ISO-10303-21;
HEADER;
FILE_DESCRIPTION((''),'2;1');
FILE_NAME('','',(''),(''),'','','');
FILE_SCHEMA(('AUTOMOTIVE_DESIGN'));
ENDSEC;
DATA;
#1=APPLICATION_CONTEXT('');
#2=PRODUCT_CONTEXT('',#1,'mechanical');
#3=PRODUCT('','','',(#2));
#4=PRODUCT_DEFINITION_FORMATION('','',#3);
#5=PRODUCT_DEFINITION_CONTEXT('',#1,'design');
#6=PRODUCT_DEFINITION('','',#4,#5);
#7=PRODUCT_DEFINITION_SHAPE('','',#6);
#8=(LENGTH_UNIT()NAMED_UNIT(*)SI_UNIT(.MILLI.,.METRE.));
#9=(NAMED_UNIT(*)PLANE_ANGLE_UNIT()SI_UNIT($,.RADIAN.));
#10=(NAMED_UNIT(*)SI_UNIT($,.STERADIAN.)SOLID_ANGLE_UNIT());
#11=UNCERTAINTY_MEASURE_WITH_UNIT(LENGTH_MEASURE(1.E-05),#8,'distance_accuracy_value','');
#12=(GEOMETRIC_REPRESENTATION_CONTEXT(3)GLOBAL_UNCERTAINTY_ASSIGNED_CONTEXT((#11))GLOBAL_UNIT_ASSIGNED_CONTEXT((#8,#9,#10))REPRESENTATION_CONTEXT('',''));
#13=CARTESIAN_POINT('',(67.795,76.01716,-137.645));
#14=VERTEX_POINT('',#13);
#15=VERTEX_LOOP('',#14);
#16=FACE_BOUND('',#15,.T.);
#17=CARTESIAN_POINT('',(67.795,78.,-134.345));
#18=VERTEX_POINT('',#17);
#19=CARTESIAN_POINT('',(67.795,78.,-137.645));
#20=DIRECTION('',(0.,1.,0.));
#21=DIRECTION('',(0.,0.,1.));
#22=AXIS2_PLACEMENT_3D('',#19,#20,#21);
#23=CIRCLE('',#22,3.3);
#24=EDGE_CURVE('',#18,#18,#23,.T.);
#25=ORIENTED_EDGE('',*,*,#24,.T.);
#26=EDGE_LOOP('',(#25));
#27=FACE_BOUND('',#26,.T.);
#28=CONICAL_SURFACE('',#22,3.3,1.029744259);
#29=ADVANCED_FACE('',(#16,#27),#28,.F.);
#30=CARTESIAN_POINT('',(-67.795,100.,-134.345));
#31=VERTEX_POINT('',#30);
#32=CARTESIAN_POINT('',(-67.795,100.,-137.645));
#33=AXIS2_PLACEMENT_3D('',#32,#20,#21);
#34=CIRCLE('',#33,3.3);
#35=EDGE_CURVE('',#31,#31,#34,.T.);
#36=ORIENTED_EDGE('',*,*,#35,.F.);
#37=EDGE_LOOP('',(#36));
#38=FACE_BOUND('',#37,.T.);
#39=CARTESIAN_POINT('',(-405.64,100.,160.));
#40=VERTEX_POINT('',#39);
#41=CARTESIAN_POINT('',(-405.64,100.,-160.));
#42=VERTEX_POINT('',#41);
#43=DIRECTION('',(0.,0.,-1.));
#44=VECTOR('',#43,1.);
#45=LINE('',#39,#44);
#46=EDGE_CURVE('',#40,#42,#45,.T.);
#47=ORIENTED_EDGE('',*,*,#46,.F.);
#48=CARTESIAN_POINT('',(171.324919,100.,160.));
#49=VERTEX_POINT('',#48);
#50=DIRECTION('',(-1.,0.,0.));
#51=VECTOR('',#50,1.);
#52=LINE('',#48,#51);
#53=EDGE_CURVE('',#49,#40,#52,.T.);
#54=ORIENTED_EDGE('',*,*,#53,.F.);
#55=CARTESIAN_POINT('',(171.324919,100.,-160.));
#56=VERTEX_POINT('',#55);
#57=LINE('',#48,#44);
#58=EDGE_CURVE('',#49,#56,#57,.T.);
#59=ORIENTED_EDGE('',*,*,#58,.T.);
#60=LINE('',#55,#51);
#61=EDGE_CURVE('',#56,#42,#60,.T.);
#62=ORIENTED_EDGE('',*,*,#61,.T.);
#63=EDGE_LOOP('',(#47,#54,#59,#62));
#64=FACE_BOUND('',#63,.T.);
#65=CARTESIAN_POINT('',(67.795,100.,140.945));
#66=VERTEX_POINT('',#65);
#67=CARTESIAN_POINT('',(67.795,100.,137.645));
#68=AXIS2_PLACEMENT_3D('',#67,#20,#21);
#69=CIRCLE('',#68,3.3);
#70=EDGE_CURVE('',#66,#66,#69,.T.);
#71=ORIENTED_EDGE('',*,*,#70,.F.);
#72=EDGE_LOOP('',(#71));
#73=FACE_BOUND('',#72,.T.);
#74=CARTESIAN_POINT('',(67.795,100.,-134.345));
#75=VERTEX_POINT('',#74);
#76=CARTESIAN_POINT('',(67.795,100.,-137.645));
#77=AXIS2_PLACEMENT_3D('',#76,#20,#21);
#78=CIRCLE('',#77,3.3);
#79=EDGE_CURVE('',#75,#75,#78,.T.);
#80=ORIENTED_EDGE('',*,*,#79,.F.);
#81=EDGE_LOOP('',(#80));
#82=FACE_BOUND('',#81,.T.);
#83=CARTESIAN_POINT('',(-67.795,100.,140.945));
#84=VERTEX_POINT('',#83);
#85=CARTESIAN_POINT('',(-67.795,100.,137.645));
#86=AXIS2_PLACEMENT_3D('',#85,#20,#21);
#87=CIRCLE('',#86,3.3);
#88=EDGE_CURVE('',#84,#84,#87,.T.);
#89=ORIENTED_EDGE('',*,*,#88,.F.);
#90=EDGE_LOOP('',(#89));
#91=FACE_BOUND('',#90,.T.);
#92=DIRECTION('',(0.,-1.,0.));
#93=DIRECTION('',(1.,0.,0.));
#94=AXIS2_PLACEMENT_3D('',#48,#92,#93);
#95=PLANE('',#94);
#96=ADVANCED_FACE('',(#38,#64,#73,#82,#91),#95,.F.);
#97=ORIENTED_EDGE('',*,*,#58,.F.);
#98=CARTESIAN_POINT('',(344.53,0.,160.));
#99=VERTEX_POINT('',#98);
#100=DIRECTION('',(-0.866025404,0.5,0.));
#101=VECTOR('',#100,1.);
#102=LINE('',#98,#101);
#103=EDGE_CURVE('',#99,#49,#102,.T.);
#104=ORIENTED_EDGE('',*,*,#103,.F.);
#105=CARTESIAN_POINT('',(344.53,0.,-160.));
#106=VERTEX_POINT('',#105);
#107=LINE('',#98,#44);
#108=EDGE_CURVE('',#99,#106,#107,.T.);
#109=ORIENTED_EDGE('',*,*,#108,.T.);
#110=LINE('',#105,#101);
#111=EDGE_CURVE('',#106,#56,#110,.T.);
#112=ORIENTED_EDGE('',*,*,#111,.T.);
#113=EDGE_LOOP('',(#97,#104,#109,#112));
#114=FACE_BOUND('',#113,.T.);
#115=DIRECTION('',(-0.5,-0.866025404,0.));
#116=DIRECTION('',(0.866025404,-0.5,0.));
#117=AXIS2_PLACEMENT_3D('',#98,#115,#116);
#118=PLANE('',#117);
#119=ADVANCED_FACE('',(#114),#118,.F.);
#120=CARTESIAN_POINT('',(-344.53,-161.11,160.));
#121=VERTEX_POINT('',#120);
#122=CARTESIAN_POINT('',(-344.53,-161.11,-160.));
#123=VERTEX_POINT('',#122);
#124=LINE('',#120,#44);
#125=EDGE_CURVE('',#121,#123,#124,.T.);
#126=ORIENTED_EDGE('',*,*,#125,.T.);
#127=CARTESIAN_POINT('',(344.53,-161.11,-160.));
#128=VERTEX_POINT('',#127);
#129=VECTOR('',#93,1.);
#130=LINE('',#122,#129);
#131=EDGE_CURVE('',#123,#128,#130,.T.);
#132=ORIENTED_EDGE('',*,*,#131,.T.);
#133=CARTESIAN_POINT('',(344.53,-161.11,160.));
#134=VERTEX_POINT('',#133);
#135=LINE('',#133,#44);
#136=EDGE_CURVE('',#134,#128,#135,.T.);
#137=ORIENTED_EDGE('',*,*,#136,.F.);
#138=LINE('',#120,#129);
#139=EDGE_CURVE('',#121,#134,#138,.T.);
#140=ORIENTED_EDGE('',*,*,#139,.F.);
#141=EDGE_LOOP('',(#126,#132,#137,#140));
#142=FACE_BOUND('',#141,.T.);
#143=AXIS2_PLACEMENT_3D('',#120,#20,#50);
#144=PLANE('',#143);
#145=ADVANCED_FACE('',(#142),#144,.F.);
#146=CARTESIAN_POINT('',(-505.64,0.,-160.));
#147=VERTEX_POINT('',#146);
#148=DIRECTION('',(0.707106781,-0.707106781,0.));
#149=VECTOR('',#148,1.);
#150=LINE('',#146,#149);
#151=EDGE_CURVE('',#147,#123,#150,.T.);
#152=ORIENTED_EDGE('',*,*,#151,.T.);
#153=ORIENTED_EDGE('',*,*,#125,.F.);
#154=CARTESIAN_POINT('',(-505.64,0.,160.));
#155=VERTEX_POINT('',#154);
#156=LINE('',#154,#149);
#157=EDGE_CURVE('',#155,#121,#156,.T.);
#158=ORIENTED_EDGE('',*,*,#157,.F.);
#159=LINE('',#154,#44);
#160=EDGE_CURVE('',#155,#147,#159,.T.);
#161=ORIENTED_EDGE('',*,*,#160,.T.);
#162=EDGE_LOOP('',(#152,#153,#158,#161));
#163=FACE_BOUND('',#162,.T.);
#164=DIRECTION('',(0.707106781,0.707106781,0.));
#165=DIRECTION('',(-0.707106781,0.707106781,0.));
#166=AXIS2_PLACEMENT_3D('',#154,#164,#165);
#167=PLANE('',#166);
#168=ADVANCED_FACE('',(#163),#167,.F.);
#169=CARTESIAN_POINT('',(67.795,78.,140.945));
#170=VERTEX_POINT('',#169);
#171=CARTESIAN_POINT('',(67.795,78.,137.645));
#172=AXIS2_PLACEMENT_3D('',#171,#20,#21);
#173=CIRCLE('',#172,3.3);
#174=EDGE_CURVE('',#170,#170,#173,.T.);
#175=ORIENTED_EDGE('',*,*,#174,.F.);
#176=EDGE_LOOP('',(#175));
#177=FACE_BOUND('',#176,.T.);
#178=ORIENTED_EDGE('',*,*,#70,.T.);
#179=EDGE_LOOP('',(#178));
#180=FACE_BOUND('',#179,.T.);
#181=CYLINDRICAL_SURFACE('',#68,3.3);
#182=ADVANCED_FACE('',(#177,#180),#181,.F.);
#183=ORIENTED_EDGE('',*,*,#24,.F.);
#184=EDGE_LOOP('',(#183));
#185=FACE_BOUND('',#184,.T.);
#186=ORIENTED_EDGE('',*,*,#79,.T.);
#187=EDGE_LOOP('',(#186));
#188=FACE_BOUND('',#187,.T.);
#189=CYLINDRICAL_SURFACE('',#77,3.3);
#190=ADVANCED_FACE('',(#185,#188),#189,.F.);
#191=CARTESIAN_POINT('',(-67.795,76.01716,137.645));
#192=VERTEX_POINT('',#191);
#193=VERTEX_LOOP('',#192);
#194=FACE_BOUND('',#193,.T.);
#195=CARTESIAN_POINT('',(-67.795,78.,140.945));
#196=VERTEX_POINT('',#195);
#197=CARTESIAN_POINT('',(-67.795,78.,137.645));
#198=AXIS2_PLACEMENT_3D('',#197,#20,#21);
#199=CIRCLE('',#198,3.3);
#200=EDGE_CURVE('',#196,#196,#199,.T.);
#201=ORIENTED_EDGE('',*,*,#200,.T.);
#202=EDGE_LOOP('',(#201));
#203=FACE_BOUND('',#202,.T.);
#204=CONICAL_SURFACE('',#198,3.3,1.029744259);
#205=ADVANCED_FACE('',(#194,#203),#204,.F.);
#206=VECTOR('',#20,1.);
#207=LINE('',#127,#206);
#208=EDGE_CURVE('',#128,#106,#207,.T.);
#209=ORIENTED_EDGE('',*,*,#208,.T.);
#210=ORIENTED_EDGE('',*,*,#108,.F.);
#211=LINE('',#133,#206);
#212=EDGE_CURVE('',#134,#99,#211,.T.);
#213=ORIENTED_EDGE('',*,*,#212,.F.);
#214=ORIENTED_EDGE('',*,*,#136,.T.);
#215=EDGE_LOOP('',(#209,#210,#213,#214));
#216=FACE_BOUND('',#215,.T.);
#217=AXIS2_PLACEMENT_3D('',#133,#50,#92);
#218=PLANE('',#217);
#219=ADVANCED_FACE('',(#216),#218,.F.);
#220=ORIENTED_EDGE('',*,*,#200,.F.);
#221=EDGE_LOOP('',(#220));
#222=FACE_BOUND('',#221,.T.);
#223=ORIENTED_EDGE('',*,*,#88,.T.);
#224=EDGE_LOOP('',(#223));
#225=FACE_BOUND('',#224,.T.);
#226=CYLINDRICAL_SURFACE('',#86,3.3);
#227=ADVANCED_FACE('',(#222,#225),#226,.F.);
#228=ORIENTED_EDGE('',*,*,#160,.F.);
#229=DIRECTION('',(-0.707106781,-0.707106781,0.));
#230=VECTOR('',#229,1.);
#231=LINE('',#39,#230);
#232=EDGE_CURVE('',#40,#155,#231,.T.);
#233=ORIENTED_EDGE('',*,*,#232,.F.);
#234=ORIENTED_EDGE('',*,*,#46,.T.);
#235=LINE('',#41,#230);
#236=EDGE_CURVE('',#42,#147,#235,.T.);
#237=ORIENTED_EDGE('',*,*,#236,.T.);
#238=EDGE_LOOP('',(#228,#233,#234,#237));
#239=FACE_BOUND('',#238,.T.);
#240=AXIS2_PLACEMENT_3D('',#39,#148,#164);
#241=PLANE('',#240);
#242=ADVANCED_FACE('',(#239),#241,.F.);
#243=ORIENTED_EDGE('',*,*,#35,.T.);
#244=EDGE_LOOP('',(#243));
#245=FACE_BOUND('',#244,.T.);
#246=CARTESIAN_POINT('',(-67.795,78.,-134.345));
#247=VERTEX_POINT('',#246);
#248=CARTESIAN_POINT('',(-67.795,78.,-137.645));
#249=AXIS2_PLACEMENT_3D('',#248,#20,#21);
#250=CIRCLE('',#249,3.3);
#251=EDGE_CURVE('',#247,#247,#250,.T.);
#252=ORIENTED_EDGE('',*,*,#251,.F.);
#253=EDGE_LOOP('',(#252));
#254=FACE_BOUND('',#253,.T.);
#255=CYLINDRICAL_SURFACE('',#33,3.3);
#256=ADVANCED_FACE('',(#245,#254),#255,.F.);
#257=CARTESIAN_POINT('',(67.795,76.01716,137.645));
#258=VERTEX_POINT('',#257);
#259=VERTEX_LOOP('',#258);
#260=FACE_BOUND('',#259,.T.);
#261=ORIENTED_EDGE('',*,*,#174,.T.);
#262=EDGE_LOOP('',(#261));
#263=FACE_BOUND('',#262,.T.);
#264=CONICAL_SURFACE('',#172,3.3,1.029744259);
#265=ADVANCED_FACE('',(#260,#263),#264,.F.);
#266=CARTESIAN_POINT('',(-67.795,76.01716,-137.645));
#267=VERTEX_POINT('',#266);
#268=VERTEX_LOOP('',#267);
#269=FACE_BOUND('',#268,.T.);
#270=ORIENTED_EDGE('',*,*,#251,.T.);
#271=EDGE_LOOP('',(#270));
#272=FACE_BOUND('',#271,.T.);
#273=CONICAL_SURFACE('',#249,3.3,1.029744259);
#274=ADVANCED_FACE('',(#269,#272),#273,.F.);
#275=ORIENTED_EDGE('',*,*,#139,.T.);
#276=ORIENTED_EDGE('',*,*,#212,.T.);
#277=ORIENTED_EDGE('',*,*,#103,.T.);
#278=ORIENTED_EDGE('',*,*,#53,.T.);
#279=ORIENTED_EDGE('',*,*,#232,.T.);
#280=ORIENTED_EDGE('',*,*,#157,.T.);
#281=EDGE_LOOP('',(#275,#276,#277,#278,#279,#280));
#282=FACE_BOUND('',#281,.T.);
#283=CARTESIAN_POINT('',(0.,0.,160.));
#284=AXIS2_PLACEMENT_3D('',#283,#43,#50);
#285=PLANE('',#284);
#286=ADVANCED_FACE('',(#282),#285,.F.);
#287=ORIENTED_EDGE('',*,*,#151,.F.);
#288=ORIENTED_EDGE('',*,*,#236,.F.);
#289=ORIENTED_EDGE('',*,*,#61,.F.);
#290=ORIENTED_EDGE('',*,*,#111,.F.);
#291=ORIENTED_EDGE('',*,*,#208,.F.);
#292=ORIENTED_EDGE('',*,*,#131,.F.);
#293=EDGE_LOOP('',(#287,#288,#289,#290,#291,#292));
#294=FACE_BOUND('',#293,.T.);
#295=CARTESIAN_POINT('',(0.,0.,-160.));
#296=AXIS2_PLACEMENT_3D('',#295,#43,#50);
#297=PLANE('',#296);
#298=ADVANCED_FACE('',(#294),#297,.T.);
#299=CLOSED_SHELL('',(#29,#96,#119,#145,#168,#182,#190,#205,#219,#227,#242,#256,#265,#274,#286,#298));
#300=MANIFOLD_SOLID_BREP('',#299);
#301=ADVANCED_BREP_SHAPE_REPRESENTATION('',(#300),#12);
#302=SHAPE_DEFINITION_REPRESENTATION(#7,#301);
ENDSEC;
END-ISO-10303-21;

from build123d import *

# Parameters (mm, degrees)
SALIENTE_EXTRUIR2_DEPTH          = 160
TALADRO_DE_MARGEN_PARA_M61_D     = 6.6
TALADRO_DE_MARGEN_PARA_M61_DEPTH = 22
TALADRO_DE_MARGEN_PARA_M61_TIP   = 1.982840043


with BuildPart() as part:
    # Croquis3 → Saliente-Extruir2 (new, symmetric)
    with BuildSketch(Plane.XY):
        Polygon((-344.53, -161.11), (344.53, -161.11), (344.53, 0), (171.324919243, 100), (-405.64, 100), (-505.64, 0), align=None)
    extrude(amount=SALIENTE_EXTRUIR2_DEPTH, both=True)

    # Taladro de margen para M61
    with Locations(Plane(origin=(0, 100, 0), x_dir=(1, 0, 0), z_dir=(0, 1, 0))):
        with Locations((-67.795, 137.645), (67.795, 137.645), (-67.795, -137.645), (67.795, -137.645)):
            Hole(TALADRO_DE_MARGEN_PARA_M61_D / 2, depth=TALADRO_DE_MARGEN_PARA_M61_DEPTH)
            with Locations((0, 0, -(TALADRO_DE_MARGEN_PARA_M61_DEPTH + TALADRO_DE_MARGEN_PARA_M61_TIP / 2))):  # 118° drill point
                Cone(0, TALADRO_DE_MARGEN_PARA_M61_D / 2, TALADRO_DE_MARGEN_PARA_M61_TIP, mode=Mode.SUBTRACT)


solid = part.part
